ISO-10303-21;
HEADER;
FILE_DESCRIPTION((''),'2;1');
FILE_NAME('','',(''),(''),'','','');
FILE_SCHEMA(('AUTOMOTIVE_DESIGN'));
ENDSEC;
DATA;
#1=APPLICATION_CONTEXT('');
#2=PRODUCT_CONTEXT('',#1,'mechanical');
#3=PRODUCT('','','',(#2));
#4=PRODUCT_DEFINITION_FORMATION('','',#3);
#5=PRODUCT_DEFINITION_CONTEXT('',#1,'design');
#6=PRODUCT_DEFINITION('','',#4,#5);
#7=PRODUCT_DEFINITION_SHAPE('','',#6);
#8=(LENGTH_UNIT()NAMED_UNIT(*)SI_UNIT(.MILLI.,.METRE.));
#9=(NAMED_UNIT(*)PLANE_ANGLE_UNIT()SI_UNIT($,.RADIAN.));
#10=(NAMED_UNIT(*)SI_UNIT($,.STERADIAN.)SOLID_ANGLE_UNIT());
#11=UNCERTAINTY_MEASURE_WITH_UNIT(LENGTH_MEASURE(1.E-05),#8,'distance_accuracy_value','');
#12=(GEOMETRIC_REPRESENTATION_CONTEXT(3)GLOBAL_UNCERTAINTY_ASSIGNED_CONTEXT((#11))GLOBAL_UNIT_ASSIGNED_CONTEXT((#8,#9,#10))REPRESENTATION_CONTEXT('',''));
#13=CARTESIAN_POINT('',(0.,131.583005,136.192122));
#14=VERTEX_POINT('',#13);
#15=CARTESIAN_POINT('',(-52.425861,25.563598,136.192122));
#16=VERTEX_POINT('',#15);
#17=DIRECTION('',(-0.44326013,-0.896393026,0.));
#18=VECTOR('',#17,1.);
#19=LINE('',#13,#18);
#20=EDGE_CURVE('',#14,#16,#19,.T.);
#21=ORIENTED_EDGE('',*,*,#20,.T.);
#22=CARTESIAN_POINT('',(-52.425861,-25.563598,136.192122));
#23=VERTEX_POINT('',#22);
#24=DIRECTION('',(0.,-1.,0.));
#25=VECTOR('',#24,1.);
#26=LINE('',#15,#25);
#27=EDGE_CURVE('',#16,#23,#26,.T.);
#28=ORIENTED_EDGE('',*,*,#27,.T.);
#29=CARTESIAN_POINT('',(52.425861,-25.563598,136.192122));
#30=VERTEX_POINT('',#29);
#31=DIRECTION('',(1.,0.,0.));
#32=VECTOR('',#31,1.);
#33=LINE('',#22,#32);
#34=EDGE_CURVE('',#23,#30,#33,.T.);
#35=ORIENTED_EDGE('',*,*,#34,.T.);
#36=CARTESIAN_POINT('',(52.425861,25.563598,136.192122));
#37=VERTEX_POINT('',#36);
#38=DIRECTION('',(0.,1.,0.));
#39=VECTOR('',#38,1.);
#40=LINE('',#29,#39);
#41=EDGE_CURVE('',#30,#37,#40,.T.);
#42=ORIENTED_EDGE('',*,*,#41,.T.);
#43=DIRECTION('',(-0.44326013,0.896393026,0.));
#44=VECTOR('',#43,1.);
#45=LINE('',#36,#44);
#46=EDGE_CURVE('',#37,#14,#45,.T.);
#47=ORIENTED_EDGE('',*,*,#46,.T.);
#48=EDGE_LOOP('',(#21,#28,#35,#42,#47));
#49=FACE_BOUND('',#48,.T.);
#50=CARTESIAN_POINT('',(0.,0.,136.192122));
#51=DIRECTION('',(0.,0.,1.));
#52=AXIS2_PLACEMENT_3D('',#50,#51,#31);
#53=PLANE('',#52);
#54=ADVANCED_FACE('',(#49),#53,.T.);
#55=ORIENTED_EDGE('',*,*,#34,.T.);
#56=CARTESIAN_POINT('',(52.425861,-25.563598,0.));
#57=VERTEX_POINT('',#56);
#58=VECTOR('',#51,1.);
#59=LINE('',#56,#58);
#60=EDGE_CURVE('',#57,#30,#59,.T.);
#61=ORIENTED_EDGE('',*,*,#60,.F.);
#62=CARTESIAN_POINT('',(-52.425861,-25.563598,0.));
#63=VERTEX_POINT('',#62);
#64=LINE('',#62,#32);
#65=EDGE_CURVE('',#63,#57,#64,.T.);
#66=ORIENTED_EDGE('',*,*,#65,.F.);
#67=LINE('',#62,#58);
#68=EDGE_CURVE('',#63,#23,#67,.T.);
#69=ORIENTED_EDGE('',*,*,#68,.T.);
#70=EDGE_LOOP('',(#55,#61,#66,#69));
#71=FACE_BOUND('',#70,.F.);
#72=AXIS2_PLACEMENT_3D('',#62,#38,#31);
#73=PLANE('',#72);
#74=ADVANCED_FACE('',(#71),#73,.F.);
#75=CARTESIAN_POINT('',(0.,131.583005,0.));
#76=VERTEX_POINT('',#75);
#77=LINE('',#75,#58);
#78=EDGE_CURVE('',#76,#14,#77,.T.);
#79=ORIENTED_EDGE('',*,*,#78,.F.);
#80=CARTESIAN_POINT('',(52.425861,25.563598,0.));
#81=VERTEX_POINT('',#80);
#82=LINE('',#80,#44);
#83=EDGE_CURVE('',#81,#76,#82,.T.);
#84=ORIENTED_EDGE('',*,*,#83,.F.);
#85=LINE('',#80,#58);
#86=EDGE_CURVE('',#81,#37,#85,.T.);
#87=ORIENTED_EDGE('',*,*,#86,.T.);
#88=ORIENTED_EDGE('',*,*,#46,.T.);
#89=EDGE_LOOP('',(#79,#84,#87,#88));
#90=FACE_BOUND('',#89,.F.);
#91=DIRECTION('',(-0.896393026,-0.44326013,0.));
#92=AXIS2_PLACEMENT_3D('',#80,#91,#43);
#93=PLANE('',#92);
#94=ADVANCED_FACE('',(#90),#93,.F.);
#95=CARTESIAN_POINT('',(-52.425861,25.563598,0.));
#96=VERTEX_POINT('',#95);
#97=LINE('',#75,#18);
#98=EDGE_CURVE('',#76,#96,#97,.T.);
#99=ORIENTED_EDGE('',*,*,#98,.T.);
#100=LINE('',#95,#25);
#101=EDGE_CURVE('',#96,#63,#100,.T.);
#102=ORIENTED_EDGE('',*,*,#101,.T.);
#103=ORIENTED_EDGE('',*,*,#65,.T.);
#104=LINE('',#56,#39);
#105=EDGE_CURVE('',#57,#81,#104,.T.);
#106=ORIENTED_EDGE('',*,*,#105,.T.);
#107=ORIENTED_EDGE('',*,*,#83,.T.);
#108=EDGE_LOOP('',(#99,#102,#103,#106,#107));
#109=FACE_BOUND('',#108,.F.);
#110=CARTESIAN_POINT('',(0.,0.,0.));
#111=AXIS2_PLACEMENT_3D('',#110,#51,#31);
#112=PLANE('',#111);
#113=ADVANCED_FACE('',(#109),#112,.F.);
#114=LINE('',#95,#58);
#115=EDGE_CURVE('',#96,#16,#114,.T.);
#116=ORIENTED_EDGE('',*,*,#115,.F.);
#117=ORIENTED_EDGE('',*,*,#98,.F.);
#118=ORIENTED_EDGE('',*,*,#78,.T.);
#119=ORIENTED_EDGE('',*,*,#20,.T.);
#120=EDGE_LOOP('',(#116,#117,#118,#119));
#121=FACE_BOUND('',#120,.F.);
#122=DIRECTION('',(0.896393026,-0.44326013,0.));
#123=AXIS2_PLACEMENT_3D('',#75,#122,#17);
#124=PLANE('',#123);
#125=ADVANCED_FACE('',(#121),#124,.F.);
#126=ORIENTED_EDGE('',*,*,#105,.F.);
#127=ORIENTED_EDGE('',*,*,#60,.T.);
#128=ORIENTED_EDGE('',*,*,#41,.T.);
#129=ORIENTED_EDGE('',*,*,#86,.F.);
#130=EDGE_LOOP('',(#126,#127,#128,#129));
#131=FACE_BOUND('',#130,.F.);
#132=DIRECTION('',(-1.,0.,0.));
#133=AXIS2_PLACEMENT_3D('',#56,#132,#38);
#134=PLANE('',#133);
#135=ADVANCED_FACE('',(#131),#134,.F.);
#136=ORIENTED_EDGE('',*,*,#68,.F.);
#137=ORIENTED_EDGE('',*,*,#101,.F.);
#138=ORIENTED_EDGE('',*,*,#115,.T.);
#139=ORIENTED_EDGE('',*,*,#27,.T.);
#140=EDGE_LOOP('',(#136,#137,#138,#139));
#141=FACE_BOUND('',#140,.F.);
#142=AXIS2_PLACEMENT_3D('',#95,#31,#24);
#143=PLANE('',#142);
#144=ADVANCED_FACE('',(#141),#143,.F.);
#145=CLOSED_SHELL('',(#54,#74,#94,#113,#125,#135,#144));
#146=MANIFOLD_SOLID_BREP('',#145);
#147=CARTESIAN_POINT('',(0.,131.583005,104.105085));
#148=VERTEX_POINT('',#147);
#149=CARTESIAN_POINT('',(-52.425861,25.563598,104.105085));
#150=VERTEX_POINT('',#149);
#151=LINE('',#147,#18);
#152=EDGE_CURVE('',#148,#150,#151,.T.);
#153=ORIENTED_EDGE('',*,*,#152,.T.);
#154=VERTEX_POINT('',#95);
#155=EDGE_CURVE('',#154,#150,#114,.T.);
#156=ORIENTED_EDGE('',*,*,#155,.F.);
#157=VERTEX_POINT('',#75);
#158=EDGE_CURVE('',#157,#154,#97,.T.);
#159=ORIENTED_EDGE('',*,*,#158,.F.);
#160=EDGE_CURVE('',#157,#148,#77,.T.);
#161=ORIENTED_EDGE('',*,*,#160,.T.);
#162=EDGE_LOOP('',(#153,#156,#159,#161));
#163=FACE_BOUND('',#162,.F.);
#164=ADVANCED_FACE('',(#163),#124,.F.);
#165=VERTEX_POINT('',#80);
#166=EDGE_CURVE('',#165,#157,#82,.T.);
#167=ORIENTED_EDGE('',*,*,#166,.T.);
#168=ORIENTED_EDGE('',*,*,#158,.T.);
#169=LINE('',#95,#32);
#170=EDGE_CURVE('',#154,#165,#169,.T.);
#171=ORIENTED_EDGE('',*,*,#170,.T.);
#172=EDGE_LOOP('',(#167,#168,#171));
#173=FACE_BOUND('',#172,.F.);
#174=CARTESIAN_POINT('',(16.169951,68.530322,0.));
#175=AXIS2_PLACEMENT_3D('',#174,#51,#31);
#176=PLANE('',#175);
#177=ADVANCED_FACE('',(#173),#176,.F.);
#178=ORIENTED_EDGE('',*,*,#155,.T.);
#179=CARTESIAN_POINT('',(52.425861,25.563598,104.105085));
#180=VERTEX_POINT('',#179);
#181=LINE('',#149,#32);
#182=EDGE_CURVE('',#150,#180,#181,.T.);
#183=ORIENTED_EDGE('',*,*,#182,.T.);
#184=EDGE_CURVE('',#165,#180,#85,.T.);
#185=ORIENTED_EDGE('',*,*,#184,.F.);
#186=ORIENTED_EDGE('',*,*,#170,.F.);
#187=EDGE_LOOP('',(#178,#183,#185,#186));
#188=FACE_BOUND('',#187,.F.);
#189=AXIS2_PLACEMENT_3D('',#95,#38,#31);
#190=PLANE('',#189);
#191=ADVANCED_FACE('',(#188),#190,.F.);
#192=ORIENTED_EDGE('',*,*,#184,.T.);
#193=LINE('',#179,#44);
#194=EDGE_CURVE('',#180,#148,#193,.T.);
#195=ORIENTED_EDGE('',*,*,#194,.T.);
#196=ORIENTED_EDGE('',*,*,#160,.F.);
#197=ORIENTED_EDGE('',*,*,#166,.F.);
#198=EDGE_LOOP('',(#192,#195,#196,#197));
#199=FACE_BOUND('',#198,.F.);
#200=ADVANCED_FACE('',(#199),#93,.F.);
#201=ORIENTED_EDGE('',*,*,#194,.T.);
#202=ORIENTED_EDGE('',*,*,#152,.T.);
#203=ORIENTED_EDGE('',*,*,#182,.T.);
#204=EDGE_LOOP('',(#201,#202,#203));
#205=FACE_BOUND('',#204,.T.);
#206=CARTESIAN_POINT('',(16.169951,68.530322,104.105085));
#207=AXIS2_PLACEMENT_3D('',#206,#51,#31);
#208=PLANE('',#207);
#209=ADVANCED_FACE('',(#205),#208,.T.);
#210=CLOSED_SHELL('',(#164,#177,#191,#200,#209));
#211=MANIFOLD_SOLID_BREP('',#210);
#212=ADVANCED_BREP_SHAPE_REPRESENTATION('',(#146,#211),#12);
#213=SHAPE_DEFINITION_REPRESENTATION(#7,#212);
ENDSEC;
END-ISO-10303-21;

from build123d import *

# Parameters (mm, degrees)
F1_DEPTH = 104.105085
F2_DEPTH = 136.192122


with BuildPart() as f1:
    # F0 (on Top) → F1 (new body)
    with BuildSketch(Plane.XY):
        Polygon((0, 25.563598), (52.425861, 25.563598), (0, 131.583005), align=None)
        Polygon((-52.425861, 25.563598), (0, 25.563598), (0, 131.583005), align=None)
    extrude(amount=F1_DEPTH)


with BuildPart() as f2:
    # F0 (on Top) → F2 (new body)
    with BuildSketch(Plane.XY):
        Polygon((52.425861, -25.563598), (52.425861, 25.563598), (0, 25.563598), (-52.425861, 25.563598), (-52.425861, -25.563598), align=None)
        Polygon((0, 25.563598), (52.425861, 25.563598), (0, 131.583005), align=None)
        Polygon((-52.425861, 25.563598), (0, 25.563598), (0, 131.583005), align=None)
    extrude(amount=F2_DEPTH)


solid = Compound([f1.part, f2.part])
